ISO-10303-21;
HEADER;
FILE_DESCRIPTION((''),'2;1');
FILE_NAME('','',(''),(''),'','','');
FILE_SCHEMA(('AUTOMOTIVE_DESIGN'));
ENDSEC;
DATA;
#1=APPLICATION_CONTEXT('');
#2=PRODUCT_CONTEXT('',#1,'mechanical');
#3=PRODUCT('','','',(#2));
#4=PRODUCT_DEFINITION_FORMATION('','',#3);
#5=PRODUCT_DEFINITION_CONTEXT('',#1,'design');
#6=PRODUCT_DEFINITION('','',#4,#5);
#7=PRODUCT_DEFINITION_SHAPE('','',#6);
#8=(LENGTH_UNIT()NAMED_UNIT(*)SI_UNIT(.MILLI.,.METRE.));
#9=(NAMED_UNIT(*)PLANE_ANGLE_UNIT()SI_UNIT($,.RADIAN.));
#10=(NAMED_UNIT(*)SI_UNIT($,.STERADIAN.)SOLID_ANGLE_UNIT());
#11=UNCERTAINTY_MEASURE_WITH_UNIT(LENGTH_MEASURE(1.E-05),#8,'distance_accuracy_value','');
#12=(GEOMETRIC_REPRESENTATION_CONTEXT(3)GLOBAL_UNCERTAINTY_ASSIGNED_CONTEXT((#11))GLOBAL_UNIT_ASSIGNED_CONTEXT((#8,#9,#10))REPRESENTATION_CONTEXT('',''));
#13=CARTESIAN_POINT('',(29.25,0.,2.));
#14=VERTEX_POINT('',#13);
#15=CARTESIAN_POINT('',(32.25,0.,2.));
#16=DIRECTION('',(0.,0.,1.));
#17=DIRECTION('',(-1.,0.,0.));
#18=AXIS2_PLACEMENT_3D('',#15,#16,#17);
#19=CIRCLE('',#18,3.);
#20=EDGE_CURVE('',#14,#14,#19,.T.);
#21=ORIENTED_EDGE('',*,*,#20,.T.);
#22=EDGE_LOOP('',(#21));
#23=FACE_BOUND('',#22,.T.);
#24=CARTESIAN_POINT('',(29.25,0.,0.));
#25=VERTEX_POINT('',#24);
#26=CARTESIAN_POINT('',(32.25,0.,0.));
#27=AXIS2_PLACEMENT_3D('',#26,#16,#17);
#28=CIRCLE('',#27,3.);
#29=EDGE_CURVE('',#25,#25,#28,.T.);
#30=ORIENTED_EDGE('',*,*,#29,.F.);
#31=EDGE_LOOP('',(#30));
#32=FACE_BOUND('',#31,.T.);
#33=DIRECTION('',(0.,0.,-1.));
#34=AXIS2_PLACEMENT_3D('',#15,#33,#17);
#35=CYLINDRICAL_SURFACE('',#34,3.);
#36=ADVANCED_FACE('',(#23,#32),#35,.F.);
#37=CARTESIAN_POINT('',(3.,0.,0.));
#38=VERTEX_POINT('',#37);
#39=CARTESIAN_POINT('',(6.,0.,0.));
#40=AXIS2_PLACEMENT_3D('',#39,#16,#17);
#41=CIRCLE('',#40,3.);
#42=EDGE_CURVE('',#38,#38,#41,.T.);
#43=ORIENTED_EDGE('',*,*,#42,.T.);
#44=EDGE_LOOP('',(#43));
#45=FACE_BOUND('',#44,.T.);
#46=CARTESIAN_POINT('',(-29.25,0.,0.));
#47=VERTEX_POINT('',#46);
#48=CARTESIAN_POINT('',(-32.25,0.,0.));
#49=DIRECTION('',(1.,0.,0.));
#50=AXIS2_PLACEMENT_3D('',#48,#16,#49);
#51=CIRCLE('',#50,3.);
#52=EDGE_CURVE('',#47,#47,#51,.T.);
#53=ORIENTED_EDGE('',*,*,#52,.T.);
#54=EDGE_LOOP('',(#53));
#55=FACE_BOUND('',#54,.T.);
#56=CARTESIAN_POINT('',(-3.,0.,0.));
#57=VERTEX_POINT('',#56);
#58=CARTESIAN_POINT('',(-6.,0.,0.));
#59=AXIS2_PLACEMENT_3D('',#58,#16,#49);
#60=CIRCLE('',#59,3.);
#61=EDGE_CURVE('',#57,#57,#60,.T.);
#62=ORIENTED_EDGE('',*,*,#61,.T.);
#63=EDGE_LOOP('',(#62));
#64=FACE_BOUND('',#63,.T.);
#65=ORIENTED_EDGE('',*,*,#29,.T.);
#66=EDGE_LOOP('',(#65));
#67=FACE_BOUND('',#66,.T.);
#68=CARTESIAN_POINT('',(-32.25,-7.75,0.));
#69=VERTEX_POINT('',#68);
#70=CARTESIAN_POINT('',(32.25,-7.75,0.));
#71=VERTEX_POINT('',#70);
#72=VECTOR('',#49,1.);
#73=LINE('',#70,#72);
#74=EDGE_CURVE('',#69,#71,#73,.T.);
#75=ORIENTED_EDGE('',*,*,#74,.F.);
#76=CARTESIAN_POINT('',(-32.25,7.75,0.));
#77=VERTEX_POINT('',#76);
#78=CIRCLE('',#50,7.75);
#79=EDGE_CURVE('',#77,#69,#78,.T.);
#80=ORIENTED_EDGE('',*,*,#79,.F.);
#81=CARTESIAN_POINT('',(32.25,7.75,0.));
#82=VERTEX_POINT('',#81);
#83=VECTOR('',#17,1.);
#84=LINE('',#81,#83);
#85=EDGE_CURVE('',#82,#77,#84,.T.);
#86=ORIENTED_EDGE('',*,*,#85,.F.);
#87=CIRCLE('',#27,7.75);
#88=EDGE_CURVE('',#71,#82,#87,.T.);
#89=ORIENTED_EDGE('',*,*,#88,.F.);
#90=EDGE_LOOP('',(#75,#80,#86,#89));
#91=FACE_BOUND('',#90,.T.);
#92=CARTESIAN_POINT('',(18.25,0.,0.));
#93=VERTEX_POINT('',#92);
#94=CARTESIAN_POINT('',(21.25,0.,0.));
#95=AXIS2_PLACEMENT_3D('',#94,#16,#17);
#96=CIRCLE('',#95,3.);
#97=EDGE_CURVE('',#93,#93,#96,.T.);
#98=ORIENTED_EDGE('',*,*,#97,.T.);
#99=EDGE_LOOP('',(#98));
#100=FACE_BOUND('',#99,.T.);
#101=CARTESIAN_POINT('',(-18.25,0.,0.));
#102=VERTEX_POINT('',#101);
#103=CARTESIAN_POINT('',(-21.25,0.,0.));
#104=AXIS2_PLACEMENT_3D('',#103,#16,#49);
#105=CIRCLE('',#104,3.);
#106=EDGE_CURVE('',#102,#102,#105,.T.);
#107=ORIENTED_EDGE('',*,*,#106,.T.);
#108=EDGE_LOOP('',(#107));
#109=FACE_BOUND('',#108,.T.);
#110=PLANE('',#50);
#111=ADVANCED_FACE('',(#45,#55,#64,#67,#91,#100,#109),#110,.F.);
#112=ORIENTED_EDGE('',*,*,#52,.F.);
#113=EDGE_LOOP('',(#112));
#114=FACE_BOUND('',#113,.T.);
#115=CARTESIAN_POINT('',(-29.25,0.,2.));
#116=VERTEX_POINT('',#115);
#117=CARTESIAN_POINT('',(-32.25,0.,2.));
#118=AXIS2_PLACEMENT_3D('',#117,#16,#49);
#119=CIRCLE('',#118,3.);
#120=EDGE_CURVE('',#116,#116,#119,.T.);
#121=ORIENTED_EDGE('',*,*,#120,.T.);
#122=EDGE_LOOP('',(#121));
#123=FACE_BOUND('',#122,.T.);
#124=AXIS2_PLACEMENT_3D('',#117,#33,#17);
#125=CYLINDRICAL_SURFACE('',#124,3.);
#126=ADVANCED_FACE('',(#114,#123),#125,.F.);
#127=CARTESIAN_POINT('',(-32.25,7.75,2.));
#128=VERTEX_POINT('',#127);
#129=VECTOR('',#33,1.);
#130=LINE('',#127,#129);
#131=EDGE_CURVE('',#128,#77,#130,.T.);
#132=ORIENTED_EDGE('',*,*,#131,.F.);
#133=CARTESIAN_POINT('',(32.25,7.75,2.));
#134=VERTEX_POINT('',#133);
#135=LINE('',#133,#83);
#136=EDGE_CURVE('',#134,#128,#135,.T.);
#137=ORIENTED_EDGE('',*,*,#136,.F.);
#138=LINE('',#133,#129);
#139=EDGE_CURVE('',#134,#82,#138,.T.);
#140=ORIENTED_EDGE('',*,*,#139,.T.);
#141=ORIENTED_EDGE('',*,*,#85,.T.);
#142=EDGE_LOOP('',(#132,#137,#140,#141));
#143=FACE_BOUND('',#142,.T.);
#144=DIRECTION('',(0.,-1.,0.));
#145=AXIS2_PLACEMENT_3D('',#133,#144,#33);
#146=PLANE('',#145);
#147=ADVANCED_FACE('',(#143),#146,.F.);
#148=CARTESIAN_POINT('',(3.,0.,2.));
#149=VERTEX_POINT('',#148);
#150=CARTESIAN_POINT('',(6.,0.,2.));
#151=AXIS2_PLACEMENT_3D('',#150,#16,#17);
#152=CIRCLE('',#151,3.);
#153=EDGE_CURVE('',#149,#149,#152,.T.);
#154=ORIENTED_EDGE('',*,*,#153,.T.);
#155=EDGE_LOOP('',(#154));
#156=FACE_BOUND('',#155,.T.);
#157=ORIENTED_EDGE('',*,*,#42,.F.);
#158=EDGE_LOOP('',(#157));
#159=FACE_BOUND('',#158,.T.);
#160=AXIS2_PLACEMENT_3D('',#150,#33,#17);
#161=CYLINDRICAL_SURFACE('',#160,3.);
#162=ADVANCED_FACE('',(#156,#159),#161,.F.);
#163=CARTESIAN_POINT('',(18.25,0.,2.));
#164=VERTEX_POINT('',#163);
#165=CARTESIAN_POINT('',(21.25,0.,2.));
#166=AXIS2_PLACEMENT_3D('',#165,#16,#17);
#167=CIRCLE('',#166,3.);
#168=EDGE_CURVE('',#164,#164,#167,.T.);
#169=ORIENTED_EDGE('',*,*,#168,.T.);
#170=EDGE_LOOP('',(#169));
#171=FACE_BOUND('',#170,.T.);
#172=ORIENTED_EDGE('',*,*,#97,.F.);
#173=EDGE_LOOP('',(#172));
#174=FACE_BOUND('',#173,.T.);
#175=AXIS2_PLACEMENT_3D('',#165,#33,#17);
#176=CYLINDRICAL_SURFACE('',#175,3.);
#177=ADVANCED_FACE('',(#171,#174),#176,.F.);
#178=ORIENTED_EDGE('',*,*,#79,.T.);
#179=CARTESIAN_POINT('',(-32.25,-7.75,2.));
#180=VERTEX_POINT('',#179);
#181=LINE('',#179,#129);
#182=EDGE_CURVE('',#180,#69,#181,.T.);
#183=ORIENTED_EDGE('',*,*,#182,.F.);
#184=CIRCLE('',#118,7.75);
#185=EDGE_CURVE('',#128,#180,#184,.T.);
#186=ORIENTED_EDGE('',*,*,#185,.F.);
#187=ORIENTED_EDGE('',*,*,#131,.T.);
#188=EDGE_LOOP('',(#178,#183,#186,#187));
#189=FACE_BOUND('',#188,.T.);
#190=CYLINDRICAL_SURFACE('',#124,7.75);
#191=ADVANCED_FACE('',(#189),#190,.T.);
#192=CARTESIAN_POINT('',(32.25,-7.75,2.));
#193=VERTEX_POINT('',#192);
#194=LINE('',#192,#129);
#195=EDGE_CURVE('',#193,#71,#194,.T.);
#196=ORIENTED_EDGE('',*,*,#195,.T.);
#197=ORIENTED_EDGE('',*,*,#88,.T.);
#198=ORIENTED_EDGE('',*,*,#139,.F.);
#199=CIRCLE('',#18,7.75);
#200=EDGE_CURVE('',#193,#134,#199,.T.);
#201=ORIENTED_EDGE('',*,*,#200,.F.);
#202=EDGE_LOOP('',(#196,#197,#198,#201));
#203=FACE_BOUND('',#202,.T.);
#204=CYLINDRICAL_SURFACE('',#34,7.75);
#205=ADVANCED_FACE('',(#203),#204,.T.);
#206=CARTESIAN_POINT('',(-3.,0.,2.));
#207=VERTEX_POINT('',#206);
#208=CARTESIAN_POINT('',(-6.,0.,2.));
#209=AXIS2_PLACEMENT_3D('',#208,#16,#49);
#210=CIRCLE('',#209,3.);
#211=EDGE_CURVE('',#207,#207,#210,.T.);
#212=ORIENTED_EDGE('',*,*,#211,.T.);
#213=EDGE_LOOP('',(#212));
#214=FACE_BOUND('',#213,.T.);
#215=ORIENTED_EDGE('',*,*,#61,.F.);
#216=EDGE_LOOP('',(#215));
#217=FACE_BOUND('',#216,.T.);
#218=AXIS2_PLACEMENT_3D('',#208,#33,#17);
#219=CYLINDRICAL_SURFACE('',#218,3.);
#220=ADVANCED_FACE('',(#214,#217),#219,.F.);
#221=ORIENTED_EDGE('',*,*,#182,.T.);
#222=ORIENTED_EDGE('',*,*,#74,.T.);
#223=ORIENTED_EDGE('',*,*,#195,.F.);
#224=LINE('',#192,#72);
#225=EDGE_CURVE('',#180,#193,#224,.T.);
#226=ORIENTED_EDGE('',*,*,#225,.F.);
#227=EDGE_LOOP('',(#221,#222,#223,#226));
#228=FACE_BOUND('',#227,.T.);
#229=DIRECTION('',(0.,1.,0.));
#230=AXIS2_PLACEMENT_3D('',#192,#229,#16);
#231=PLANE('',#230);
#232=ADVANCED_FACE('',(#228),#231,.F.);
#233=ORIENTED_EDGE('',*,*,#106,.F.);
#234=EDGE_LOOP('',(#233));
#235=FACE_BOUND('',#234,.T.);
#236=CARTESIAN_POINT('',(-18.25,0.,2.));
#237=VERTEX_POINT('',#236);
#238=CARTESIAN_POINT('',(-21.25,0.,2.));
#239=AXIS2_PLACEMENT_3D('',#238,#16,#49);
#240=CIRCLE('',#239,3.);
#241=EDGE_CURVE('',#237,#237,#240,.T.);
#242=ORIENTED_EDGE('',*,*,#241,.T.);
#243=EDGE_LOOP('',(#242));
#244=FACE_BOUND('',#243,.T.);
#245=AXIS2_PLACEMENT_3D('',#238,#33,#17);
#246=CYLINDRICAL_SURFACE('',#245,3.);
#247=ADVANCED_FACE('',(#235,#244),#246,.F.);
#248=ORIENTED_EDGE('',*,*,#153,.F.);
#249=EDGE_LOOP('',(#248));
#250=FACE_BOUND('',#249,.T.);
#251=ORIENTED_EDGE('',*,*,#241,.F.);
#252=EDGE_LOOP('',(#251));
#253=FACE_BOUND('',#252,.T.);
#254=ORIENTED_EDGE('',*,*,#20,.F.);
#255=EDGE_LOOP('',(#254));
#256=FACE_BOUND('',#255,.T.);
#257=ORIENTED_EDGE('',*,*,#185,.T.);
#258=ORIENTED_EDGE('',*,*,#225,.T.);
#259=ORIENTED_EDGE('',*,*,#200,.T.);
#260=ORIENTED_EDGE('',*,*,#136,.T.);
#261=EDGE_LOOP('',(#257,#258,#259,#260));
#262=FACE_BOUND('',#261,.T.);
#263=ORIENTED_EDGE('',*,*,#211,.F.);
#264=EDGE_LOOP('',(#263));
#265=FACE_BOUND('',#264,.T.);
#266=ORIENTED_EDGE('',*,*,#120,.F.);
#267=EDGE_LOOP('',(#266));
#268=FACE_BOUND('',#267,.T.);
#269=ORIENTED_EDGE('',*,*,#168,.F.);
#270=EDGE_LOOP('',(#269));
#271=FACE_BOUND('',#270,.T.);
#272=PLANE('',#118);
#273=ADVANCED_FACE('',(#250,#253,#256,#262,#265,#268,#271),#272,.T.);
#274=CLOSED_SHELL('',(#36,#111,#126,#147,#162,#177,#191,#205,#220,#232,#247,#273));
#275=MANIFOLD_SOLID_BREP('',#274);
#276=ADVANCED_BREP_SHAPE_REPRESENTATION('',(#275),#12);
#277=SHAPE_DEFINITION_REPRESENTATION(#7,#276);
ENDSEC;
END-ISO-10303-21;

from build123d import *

# Parameters (mm, degrees)
SKETCH_1_R      = 3
EXTRUDE_1_DEPTH = 2


with BuildPart() as part:
    # Эскиз1 → Бобышка-Вытянуть1 (new body)
    with BuildSketch(Plane.XY):
        with BuildLine():
            Line((32.25, 7.75), (-32.25, 7.75))
            ThreePointArc((-32.25, 7.75), (-40, 0), (-32.25, -7.75))
            Line((-32.25, -7.75), (32.25, -7.75))
            ThreePointArc((32.25, -7.75), (40, 0), (32.25, 7.75))
        make_face()
        with Locations((-32.25, 0)):
            Circle(SKETCH_1_R, mode=Mode.SUBTRACT)
        with Locations((-21.25, 0)):
            Circle(SKETCH_1_R, mode=Mode.SUBTRACT)
        with Locations((-6, 0)):
            Circle(SKETCH_1_R, mode=Mode.SUBTRACT)
        with Locations((6, 0)):
            Circle(SKETCH_1_R, mode=Mode.SUBTRACT)
        with Locations((21.25, 0)):
            Circle(SKETCH_1_R, mode=Mode.SUBTRACT)
        with Locations((32.25, 0)):
            Circle(SKETCH_1_R, mode=Mode.SUBTRACT)
    extrude(amount=EXTRUDE_1_DEPTH)


solid = part.part
